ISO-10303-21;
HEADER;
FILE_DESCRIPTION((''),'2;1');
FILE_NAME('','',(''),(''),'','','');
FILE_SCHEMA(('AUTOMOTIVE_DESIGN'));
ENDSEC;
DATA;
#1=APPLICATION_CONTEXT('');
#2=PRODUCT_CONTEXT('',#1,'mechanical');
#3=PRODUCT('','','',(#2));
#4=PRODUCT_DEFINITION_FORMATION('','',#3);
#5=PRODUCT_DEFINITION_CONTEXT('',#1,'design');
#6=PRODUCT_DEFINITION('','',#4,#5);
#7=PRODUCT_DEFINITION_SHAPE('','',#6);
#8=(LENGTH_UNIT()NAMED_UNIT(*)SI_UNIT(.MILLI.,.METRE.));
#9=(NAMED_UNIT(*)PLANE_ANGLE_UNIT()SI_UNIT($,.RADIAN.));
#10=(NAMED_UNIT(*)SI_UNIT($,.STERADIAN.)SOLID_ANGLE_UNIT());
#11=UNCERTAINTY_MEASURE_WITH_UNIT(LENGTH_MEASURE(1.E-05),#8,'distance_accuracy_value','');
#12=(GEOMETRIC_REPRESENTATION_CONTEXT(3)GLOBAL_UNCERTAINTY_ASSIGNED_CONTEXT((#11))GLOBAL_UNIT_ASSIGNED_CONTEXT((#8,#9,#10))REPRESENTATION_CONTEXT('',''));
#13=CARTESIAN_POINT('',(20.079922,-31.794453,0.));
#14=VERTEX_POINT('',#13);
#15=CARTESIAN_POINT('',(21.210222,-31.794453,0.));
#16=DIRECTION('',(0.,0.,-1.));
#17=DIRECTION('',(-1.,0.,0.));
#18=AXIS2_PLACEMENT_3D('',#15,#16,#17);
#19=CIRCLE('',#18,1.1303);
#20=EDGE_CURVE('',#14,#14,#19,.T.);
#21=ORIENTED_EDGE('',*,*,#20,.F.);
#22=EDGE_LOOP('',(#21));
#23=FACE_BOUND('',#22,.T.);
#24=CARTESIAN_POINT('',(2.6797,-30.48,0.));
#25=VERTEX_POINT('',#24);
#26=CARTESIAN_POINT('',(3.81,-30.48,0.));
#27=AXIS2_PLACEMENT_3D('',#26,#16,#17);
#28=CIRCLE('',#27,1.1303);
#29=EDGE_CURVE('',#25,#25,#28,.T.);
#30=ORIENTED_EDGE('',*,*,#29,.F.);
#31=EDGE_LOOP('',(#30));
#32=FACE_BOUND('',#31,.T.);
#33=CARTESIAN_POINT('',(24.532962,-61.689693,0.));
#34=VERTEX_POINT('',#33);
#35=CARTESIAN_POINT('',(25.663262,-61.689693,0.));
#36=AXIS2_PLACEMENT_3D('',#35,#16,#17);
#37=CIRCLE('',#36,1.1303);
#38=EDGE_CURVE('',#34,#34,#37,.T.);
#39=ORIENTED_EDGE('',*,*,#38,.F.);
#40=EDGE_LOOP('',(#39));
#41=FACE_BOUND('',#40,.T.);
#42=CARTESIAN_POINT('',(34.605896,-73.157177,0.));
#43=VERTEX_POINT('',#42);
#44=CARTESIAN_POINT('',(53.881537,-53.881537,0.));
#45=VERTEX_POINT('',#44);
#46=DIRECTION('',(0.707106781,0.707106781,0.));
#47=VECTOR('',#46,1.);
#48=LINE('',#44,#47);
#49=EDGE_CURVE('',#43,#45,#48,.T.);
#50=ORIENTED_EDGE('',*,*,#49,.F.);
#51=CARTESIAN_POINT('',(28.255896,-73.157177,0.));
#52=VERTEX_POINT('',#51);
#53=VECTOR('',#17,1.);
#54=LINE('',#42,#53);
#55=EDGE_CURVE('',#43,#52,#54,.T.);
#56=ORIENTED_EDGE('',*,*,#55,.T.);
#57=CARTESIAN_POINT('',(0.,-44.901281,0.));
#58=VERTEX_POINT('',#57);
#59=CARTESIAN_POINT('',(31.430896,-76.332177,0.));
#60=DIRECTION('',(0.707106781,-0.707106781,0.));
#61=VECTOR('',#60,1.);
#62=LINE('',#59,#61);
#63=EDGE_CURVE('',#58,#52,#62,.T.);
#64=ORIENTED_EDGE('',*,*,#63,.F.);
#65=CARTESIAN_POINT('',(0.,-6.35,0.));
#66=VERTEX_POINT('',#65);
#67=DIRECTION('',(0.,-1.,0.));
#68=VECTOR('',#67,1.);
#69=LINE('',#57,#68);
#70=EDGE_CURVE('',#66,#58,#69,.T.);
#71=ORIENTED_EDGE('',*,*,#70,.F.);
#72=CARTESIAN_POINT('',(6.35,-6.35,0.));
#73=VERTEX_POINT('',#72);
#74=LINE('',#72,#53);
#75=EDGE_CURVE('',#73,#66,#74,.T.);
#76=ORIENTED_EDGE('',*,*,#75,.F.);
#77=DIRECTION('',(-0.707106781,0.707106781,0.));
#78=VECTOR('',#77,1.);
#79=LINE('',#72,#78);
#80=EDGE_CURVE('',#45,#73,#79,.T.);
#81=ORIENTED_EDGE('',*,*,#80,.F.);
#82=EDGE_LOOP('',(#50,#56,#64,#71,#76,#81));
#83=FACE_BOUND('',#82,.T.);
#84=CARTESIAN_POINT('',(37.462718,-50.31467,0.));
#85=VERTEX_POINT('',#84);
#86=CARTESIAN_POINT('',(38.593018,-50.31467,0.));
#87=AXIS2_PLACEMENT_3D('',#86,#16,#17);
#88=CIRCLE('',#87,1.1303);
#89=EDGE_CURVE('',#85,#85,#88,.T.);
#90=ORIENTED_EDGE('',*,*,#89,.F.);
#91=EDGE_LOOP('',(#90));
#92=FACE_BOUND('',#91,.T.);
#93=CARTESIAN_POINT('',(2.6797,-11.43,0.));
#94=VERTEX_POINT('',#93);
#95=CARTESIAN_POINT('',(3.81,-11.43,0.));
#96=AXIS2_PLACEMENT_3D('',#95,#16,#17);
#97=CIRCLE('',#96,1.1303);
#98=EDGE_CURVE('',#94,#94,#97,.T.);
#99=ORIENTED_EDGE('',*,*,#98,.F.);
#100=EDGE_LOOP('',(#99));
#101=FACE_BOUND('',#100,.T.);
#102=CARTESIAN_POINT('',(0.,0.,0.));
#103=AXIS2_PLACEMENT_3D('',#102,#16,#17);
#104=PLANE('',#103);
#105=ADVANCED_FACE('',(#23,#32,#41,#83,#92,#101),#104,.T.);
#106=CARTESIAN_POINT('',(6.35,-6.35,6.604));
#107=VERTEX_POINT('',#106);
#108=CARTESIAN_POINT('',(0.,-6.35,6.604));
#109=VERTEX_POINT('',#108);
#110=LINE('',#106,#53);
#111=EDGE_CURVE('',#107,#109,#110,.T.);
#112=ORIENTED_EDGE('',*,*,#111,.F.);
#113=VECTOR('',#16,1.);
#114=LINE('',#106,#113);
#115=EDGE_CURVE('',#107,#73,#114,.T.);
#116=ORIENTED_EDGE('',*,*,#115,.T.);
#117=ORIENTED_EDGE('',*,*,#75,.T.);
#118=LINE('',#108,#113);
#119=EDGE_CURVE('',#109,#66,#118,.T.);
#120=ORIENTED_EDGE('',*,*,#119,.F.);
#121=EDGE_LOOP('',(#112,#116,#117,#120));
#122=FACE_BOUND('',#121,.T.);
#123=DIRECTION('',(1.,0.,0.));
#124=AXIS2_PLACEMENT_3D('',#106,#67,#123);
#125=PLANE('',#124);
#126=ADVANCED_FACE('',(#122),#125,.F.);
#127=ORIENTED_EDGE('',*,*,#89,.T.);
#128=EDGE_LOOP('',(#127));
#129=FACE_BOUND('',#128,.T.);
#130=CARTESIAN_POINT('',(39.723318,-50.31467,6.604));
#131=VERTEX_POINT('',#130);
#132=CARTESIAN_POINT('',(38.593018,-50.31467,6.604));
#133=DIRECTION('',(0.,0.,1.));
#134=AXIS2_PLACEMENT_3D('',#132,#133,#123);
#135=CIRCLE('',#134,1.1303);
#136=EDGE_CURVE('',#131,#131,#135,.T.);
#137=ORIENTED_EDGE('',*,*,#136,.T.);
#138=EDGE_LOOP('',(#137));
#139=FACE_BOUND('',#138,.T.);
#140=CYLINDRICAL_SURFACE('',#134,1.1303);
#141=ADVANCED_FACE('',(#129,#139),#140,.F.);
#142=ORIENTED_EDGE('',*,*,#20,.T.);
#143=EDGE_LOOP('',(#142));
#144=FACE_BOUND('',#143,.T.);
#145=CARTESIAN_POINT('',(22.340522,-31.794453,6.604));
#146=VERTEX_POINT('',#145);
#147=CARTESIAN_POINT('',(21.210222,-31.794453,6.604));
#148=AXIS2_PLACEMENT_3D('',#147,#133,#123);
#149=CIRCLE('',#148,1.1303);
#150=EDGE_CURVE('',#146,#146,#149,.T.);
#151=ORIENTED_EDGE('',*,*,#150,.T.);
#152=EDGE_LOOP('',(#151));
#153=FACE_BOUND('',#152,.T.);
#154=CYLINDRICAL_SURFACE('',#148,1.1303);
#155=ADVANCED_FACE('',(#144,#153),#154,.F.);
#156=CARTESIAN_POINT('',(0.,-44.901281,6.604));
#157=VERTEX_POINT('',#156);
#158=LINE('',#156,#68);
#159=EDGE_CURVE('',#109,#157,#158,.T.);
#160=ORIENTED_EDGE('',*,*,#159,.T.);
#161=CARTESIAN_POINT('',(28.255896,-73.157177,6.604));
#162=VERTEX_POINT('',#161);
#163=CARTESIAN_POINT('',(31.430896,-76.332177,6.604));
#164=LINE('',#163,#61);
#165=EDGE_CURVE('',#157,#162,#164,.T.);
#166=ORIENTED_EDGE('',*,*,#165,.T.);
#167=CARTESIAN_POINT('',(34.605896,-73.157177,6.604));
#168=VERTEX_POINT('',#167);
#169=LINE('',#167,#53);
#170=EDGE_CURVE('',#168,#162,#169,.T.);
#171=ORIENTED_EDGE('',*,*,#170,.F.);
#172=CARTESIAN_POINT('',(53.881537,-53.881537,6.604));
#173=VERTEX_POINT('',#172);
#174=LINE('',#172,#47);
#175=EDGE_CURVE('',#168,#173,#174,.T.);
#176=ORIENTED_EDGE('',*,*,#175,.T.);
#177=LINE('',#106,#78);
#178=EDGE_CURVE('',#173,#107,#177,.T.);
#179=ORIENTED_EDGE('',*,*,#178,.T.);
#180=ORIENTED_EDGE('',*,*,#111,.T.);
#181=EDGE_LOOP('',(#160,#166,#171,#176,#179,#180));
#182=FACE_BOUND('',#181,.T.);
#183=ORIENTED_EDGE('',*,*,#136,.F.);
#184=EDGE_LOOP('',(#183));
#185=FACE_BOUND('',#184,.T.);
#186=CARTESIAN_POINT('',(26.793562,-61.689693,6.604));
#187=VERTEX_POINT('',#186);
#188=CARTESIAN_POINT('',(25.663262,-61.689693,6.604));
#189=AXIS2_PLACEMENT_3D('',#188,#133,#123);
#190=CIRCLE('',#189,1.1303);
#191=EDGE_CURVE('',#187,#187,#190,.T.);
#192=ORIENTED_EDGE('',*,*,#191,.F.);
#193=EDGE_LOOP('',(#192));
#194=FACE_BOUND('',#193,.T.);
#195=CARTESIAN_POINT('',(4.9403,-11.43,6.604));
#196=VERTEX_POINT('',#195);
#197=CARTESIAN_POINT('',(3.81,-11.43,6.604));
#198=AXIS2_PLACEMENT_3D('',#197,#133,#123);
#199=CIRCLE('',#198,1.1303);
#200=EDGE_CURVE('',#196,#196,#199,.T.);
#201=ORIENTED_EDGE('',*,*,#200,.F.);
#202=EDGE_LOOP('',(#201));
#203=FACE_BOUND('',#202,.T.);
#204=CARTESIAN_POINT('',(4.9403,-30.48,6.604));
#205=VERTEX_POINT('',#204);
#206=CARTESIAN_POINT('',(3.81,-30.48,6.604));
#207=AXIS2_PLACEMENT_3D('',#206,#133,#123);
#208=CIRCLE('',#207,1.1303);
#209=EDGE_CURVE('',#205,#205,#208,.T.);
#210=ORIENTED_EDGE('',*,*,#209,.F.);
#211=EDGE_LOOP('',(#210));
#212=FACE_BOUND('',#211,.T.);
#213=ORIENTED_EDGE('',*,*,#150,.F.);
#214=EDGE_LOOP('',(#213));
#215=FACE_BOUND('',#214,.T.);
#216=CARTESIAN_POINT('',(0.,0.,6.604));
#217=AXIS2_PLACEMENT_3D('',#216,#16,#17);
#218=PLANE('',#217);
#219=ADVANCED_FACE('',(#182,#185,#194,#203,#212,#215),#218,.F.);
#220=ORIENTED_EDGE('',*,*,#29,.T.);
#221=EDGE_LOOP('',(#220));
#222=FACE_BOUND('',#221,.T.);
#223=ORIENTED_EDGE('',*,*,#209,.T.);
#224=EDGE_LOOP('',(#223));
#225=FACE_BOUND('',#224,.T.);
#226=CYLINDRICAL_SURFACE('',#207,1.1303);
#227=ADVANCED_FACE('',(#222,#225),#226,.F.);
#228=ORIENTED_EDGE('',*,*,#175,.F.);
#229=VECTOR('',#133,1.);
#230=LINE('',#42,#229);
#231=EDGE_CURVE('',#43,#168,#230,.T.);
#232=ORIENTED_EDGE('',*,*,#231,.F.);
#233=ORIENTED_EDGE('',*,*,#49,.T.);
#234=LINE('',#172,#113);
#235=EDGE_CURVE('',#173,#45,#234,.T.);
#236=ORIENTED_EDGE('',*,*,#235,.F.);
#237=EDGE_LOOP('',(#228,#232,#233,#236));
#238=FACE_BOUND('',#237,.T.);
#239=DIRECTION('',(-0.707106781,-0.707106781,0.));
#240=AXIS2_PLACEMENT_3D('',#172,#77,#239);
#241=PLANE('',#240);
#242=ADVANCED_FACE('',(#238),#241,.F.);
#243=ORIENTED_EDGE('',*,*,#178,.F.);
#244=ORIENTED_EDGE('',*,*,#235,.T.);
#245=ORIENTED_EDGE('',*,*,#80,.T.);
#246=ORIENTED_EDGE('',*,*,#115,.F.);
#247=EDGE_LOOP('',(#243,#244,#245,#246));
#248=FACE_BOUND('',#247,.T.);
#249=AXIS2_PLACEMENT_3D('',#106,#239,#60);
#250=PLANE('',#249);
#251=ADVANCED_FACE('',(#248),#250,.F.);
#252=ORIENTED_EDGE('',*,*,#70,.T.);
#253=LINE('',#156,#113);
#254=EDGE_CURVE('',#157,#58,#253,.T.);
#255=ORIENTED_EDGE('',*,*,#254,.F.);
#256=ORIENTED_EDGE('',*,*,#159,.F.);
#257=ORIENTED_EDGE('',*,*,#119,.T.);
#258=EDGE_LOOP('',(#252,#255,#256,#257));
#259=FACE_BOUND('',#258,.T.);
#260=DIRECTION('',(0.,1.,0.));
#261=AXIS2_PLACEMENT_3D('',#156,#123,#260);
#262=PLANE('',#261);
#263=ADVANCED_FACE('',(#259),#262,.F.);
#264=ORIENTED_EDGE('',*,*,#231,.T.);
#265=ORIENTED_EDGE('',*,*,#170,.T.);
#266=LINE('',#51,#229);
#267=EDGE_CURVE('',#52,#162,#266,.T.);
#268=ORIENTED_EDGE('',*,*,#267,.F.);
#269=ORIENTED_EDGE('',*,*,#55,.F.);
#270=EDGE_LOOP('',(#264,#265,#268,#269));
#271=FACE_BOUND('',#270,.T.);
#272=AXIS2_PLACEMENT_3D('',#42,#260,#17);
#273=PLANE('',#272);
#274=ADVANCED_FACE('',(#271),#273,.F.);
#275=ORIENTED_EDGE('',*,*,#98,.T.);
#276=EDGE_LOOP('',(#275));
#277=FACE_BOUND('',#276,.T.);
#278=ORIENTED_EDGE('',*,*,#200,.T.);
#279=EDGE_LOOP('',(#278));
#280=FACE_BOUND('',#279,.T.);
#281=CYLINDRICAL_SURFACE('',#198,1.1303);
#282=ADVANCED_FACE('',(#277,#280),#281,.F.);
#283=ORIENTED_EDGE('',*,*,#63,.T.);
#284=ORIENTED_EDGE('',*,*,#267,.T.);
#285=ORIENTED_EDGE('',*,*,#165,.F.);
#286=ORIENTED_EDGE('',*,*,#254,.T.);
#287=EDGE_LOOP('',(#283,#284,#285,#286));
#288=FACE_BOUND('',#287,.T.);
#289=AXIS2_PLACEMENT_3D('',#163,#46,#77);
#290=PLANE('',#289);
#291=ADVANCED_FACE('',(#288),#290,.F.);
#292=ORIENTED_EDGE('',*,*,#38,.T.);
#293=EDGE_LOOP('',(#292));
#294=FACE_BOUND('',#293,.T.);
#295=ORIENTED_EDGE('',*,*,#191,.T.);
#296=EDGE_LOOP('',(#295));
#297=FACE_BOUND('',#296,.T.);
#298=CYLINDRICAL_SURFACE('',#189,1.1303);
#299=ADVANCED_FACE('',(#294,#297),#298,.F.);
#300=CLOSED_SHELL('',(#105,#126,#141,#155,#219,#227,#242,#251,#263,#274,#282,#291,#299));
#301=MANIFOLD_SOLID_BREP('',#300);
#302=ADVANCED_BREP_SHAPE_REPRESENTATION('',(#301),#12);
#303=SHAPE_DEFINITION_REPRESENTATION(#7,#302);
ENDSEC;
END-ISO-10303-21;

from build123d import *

# Parameters (mm, degrees)
BOSS_EXTRUDE1_DEPTH       = 6.604
F_4_40_TAPPED_HOLE1_D     = 2.2606
F_4_40_TAPPED_HOLE1_DEPTH = 7.5946
F_4_40_TAPPED_HOLE1_TIP   = 0.679152758
CUT_EXTRUDE1_DEPTH        = 7.604


with BuildPart() as part:
    # Sketch1 → Boss-Extrude1 (new body)
    with BuildSketch(Plane.XY):
        Polygon((6.35, -6.35), (53.881536726, -53.881536726), (31.430896424, -76.332177029), (0, -44.901280605), (0, -6.35), align=None)
    extrude(amount=BOSS_EXTRUDE1_DEPTH)

    # #4-40 Tapped Hole1
    with Locations(Plane.XY.offset(6.604)):
        with Locations((3.81, -11.43), (3.81, -30.48), (25.663262225, -61.689692887), (21.210222222, -31.794452992), (38.593017634, -50.314669612)):
            Hole(F_4_40_TAPPED_HOLE1_D / 2, depth=F_4_40_TAPPED_HOLE1_DEPTH)
            with Locations((0, 0, -(F_4_40_TAPPED_HOLE1_DEPTH + F_4_40_TAPPED_HOLE1_TIP / 2))):  # 118° drill point
                Cone(0, F_4_40_TAPPED_HOLE1_D / 2, F_4_40_TAPPED_HOLE1_TIP, mode=Mode.SUBTRACT)

    # Sketch5 → Cut-Extrude1 (cut, through all)
    with BuildSketch(Plane.XY.offset(6.604)):
        Polygon((34.605896424, -73.157177029), (28.255896424, -73.157177029), (31.430896424, -76.332177029), align=None)
    extrude(amount=-CUT_EXTRUDE1_DEPTH, mode=Mode.SUBTRACT)


solid = part.part
